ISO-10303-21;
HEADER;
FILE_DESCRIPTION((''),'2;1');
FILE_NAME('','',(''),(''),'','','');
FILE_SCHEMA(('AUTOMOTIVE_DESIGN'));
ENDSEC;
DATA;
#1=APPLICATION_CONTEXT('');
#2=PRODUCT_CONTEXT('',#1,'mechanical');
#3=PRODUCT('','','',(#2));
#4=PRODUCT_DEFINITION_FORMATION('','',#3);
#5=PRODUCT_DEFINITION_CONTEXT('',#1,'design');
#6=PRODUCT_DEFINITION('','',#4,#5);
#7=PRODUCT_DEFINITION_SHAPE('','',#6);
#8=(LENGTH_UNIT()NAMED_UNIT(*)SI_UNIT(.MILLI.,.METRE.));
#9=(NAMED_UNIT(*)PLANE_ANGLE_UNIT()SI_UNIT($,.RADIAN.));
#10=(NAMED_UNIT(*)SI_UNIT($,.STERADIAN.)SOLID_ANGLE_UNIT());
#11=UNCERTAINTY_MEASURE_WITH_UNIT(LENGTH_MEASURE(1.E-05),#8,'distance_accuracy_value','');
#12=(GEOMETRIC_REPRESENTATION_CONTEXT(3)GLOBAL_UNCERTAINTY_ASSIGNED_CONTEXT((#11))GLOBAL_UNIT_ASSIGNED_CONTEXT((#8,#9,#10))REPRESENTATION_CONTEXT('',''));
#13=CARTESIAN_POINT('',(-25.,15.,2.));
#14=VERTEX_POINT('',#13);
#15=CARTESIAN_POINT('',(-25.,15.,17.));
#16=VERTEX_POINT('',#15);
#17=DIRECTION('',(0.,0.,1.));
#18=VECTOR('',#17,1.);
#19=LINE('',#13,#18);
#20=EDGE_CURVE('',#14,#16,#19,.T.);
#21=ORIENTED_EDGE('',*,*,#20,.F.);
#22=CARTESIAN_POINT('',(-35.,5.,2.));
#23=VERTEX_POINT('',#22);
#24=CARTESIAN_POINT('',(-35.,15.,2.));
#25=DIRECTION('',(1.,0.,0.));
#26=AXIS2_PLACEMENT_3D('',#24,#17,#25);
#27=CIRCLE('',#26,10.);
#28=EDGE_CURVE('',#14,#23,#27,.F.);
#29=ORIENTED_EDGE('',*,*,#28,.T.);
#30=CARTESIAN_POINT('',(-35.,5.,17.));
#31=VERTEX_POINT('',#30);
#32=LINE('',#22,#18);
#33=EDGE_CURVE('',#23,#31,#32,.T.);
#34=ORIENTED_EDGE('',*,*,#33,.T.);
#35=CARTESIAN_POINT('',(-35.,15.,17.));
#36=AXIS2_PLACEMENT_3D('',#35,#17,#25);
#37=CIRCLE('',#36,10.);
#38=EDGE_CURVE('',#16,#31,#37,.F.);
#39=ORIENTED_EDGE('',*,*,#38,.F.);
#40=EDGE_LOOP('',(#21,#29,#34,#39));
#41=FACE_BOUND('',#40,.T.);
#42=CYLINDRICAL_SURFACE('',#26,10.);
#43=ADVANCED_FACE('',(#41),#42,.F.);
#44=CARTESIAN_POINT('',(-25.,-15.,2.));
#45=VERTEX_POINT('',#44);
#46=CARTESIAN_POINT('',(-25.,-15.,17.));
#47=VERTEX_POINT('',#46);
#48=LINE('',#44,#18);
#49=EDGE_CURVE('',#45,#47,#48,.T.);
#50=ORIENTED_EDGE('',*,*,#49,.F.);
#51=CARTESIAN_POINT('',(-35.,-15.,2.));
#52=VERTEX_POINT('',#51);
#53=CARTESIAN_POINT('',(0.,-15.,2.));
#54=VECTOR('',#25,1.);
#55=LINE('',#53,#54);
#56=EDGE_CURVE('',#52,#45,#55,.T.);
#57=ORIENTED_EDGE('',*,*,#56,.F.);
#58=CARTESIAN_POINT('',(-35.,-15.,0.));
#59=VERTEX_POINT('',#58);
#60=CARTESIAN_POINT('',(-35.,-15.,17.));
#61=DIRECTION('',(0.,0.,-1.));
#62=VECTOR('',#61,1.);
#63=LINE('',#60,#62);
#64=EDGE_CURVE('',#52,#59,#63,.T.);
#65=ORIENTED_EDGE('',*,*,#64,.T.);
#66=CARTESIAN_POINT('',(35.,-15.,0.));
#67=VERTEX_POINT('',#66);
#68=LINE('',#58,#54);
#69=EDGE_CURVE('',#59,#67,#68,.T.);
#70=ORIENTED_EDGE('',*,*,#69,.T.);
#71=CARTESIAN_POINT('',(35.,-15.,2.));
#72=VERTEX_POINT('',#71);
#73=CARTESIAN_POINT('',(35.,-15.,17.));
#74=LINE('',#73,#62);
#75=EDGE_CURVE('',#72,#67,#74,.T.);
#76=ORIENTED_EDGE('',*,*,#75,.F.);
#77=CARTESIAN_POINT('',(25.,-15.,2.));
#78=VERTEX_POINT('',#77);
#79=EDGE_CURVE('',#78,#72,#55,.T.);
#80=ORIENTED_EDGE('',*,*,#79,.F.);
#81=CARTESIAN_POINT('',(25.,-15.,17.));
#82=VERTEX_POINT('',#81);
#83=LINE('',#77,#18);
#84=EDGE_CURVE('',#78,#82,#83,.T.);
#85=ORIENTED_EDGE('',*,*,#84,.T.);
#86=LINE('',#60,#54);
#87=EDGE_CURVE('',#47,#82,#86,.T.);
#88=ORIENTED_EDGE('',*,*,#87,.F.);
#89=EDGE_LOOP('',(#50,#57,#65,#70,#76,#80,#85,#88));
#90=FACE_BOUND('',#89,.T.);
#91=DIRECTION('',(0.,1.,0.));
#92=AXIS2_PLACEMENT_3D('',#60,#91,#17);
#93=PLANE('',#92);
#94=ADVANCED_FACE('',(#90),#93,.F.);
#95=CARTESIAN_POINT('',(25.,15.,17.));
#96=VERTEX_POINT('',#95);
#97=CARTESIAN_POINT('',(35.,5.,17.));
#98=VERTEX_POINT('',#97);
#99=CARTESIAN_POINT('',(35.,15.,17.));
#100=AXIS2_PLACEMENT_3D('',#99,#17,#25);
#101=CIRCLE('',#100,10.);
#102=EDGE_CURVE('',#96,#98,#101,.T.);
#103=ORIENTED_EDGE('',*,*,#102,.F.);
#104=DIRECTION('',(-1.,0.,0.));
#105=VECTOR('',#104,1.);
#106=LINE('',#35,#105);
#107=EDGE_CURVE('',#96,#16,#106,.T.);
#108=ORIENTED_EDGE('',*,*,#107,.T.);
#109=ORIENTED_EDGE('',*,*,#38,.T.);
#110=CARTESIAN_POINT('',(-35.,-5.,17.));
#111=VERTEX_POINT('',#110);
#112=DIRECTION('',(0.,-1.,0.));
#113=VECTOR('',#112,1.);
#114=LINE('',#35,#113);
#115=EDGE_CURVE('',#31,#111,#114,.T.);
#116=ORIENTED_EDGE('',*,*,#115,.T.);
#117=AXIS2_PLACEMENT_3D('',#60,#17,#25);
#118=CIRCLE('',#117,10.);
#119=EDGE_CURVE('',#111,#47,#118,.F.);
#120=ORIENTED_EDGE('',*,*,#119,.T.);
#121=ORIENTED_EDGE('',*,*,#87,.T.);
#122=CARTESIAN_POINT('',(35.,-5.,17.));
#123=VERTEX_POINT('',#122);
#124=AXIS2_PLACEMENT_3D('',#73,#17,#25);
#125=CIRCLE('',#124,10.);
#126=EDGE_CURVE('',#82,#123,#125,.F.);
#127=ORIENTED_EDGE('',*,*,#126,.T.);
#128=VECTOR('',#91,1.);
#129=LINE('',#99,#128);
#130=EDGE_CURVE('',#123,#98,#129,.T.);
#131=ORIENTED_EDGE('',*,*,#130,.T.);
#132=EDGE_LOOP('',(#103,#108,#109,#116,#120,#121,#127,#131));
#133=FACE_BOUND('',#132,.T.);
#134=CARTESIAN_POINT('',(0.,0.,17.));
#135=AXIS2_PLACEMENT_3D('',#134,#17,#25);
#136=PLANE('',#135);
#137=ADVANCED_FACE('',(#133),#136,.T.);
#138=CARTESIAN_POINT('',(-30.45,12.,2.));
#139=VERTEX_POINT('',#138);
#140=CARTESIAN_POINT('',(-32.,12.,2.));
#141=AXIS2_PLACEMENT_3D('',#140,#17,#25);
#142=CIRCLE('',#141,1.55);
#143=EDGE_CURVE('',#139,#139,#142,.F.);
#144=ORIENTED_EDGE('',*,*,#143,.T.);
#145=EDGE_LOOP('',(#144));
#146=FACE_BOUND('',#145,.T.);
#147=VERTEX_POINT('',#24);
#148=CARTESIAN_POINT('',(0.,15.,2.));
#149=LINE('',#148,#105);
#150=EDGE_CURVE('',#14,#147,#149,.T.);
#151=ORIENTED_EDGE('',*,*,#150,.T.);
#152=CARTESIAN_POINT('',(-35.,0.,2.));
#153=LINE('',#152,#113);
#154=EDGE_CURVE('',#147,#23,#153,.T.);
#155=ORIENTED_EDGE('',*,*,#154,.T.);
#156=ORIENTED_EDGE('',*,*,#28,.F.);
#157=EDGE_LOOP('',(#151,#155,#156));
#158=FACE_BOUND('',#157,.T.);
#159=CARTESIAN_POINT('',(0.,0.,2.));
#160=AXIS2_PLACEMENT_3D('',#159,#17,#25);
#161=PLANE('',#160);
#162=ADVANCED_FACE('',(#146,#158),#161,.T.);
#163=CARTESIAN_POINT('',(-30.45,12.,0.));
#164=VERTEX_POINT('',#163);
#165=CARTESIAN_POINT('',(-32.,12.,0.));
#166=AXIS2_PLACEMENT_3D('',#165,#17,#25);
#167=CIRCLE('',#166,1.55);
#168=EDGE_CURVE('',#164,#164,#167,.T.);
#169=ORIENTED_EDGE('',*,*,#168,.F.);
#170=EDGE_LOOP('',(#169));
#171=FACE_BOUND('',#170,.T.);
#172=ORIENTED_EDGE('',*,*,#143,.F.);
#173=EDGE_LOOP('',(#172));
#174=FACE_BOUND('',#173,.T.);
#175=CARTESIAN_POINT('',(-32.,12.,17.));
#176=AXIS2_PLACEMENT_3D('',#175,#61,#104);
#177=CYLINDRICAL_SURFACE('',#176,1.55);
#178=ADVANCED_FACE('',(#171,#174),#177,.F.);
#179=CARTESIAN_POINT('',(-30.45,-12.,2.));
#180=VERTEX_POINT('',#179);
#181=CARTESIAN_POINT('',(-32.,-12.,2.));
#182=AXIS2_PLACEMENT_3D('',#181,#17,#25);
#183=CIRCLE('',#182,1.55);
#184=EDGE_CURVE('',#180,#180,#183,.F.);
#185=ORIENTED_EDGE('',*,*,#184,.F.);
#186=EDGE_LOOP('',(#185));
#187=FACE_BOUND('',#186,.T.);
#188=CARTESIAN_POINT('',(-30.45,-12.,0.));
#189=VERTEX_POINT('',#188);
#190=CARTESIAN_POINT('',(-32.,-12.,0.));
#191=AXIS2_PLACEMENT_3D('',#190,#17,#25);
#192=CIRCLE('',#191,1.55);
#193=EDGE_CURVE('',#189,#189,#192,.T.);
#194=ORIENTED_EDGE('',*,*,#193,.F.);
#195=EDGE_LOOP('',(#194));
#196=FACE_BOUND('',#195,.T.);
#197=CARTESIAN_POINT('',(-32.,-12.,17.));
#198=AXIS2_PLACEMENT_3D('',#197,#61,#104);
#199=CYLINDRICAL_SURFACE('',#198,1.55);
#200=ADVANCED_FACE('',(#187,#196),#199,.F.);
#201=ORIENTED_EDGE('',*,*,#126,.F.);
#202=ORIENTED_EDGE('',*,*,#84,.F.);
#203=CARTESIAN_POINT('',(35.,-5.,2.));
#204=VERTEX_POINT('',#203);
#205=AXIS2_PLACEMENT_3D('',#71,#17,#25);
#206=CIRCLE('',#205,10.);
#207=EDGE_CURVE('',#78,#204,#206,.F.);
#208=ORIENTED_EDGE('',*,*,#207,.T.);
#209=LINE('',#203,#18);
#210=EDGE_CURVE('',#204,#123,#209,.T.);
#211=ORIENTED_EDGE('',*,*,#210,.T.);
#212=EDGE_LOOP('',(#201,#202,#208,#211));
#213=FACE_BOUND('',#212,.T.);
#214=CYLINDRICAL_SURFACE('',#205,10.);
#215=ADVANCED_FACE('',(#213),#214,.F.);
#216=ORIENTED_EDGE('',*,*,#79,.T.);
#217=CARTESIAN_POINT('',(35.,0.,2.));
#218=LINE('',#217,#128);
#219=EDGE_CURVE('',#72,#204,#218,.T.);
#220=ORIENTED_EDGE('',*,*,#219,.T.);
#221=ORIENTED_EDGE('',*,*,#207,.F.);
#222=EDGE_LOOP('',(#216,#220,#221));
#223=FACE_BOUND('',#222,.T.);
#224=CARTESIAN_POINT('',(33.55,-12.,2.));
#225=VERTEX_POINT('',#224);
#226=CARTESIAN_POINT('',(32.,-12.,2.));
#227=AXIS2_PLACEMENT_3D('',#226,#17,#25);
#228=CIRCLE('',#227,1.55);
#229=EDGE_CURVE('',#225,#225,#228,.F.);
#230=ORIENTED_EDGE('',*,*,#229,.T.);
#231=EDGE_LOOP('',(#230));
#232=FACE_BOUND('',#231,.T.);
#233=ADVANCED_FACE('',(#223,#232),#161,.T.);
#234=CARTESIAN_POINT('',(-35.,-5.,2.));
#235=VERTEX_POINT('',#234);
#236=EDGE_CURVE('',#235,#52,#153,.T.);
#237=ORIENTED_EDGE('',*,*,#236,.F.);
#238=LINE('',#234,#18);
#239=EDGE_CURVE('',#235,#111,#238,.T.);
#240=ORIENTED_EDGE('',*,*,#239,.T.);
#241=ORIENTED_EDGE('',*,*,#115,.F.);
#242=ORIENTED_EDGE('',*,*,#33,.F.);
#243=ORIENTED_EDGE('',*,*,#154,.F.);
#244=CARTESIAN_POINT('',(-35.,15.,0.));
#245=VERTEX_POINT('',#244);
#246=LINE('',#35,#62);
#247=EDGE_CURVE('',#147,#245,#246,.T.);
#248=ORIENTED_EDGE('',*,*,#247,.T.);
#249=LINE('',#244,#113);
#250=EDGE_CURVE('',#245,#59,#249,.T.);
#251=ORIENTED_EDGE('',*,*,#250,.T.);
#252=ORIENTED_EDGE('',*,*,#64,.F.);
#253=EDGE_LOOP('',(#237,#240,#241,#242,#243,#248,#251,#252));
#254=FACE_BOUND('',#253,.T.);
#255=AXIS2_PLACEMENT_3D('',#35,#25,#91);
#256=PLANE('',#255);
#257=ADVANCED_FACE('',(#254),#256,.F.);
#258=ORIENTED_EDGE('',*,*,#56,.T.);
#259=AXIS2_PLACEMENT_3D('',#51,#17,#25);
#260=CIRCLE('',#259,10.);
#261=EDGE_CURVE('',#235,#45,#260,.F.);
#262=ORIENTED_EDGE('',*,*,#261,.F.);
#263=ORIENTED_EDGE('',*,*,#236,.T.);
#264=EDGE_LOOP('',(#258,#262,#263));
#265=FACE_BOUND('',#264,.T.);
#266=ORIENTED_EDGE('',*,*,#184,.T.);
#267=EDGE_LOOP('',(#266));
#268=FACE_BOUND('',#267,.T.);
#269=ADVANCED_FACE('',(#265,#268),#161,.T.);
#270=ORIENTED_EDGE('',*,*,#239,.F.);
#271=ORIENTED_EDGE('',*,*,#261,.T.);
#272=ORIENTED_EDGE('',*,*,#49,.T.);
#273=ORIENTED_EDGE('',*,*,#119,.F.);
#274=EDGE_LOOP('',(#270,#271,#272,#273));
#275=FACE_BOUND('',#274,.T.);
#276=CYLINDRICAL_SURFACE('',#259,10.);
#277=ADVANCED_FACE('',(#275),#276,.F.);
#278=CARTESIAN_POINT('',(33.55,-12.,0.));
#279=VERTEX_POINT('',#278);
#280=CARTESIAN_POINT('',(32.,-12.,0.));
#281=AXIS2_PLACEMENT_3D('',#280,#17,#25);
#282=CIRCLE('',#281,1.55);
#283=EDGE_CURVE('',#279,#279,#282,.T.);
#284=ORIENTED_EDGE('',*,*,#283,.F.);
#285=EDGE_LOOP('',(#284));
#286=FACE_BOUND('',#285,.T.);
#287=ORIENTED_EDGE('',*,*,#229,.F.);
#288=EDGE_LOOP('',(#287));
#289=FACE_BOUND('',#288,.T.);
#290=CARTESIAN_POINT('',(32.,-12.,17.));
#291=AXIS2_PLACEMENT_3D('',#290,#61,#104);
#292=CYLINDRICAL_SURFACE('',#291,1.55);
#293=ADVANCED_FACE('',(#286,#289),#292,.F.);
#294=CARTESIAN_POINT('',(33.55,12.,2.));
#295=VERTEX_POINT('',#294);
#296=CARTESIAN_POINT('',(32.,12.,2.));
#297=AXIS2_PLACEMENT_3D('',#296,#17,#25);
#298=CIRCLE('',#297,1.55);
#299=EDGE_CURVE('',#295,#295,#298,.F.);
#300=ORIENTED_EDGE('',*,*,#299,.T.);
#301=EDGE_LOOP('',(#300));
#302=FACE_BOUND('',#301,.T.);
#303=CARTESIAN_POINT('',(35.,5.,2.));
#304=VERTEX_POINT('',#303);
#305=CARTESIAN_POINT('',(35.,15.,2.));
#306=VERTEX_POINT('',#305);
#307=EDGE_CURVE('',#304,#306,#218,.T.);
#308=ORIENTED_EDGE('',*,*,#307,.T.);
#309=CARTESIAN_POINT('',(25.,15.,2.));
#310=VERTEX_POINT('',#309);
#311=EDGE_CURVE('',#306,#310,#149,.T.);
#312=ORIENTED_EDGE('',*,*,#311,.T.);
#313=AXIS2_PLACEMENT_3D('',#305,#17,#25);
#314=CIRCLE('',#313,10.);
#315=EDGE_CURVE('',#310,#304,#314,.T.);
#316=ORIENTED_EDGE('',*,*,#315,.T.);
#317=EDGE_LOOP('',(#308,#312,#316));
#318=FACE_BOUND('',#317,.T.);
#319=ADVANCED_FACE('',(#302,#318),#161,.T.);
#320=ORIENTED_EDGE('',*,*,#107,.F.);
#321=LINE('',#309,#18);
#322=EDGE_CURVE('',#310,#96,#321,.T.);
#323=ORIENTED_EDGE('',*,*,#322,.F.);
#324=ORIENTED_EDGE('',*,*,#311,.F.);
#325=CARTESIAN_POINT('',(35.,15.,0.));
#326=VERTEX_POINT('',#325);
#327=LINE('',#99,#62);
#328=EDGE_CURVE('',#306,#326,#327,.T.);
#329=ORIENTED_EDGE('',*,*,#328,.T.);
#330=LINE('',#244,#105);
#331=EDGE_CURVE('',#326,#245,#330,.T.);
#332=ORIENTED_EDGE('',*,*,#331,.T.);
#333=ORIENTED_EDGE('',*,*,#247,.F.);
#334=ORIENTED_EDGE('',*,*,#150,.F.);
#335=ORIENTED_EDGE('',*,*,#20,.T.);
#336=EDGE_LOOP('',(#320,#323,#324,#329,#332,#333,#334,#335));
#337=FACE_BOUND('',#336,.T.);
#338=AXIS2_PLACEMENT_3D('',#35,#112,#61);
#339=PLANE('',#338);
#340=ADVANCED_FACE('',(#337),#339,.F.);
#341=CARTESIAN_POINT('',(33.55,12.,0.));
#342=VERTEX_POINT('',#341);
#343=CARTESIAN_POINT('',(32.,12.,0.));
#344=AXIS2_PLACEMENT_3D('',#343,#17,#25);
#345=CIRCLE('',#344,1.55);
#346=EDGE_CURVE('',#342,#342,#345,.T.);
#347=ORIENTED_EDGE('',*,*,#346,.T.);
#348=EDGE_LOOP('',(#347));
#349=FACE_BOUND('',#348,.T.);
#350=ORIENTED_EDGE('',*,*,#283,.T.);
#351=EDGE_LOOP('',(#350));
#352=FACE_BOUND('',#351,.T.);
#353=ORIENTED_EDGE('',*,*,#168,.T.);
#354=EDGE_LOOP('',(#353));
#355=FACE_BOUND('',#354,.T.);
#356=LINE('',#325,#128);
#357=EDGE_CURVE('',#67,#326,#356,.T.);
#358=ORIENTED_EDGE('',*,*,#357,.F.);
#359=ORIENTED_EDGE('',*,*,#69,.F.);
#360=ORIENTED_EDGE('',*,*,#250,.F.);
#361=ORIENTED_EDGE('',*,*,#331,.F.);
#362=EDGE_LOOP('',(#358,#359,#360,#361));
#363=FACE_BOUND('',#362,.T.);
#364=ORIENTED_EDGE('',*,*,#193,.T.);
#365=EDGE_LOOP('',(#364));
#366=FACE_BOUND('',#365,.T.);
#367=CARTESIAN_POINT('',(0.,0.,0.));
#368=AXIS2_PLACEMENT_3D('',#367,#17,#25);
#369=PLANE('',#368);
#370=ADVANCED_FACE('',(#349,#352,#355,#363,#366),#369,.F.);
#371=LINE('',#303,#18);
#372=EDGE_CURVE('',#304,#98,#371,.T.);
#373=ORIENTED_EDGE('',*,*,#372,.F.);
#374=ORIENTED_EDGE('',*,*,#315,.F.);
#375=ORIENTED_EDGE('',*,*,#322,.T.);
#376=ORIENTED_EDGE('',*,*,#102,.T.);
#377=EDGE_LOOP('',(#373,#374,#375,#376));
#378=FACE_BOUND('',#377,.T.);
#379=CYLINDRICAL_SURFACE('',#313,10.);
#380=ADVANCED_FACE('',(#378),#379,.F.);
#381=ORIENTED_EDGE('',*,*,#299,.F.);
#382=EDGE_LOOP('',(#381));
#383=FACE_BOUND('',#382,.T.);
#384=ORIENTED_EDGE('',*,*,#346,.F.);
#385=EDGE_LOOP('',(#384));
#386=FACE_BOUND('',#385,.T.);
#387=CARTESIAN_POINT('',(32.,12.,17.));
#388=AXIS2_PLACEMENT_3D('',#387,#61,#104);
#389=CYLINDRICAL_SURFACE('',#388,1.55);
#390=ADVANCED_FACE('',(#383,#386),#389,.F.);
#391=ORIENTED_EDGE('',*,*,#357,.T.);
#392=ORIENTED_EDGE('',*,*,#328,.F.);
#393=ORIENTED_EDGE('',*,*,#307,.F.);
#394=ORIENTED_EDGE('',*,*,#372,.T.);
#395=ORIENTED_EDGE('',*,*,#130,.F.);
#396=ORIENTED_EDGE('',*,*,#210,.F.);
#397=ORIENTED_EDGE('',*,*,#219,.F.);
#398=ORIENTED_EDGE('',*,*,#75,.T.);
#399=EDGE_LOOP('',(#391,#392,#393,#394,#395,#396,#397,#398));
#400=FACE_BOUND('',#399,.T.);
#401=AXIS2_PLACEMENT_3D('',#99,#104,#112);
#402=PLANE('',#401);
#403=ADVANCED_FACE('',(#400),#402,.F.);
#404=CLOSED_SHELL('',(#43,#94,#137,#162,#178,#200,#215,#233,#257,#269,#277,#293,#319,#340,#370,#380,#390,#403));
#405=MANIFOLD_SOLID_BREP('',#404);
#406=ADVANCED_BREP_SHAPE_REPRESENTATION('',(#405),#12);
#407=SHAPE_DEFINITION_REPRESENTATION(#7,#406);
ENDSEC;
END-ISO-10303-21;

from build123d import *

# Parameters (mm, degrees)
SKETCH1_W           = 70
SKETCH1_H           = 30
SKETCH1_R           = 1.55
BOSS_EXTRUDE1_DEPTH = 17
SKETCH2_R           = 1.55
CUT_EXTRUDE1_DEPTH  = 15


with BuildPart() as part:
    # Sketch1 → Boss-Extrude1 (new body)
    with BuildSketch(Plane.XY):
        Rectangle(SKETCH1_W, SKETCH1_H)
        with Locations((-32, 12)):
            Circle(SKETCH1_R, mode=Mode.SUBTRACT)
        with Locations((32, 12)):
            Circle(SKETCH1_R, mode=Mode.SUBTRACT)
        with Locations((32, -12)):
            Circle(SKETCH1_R, mode=Mode.SUBTRACT)
        with Locations((-32, -12)):
            Circle(SKETCH1_R, mode=Mode.SUBTRACT)
    extrude(amount=BOSS_EXTRUDE1_DEPTH)

    # Sketch2 → Cut-Extrude1 (cut)
    with BuildSketch(Plane.XY.offset(17)):
        with BuildLine():
            Line((-35, 15), (-35, 5))
            ThreePointArc((-35, 5), (-27.928932188, 7.928932188), (-25, 15))
            Line((-25, 15), (-35, 15))
        make_face()
        with Locations((-32, 12)):
            Circle(SKETCH2_R, mode=Mode.SUBTRACT)
        with BuildLine():
            Line((35, 15), (25, 15))
            ThreePointArc((25, 15), (27.928932188, 7.928932188), (35, 5))
            Line((35, 5), (35, 15))
        make_face()
        with Locations((32, 12)):
            Circle(SKETCH2_R, mode=Mode.SUBTRACT)
        with BuildLine():
            ThreePointArc((35, -5), (27.928932188, -7.928932188), (25, -15))
            Line((25, -15), (35, -15))
            Line((35, -15), (35, -5))
        make_face()
        with Locations((32, -12)):
            Circle(SKETCH2_R, mode=Mode.SUBTRACT)
        with BuildLine():
            ThreePointArc((-25, -15), (-27.928932188, -7.928932188), (-35, -5))
            Line((-35, -5), (-35, -15))
            Line((-35, -15), (-25, -15))
        make_face()
        with Locations((-32, -12)):
            Circle(SKETCH2_R, mode=Mode.SUBTRACT)
    extrude(amount=-CUT_EXTRUDE1_DEPTH, mode=Mode.SUBTRACT)


solid = part.part
